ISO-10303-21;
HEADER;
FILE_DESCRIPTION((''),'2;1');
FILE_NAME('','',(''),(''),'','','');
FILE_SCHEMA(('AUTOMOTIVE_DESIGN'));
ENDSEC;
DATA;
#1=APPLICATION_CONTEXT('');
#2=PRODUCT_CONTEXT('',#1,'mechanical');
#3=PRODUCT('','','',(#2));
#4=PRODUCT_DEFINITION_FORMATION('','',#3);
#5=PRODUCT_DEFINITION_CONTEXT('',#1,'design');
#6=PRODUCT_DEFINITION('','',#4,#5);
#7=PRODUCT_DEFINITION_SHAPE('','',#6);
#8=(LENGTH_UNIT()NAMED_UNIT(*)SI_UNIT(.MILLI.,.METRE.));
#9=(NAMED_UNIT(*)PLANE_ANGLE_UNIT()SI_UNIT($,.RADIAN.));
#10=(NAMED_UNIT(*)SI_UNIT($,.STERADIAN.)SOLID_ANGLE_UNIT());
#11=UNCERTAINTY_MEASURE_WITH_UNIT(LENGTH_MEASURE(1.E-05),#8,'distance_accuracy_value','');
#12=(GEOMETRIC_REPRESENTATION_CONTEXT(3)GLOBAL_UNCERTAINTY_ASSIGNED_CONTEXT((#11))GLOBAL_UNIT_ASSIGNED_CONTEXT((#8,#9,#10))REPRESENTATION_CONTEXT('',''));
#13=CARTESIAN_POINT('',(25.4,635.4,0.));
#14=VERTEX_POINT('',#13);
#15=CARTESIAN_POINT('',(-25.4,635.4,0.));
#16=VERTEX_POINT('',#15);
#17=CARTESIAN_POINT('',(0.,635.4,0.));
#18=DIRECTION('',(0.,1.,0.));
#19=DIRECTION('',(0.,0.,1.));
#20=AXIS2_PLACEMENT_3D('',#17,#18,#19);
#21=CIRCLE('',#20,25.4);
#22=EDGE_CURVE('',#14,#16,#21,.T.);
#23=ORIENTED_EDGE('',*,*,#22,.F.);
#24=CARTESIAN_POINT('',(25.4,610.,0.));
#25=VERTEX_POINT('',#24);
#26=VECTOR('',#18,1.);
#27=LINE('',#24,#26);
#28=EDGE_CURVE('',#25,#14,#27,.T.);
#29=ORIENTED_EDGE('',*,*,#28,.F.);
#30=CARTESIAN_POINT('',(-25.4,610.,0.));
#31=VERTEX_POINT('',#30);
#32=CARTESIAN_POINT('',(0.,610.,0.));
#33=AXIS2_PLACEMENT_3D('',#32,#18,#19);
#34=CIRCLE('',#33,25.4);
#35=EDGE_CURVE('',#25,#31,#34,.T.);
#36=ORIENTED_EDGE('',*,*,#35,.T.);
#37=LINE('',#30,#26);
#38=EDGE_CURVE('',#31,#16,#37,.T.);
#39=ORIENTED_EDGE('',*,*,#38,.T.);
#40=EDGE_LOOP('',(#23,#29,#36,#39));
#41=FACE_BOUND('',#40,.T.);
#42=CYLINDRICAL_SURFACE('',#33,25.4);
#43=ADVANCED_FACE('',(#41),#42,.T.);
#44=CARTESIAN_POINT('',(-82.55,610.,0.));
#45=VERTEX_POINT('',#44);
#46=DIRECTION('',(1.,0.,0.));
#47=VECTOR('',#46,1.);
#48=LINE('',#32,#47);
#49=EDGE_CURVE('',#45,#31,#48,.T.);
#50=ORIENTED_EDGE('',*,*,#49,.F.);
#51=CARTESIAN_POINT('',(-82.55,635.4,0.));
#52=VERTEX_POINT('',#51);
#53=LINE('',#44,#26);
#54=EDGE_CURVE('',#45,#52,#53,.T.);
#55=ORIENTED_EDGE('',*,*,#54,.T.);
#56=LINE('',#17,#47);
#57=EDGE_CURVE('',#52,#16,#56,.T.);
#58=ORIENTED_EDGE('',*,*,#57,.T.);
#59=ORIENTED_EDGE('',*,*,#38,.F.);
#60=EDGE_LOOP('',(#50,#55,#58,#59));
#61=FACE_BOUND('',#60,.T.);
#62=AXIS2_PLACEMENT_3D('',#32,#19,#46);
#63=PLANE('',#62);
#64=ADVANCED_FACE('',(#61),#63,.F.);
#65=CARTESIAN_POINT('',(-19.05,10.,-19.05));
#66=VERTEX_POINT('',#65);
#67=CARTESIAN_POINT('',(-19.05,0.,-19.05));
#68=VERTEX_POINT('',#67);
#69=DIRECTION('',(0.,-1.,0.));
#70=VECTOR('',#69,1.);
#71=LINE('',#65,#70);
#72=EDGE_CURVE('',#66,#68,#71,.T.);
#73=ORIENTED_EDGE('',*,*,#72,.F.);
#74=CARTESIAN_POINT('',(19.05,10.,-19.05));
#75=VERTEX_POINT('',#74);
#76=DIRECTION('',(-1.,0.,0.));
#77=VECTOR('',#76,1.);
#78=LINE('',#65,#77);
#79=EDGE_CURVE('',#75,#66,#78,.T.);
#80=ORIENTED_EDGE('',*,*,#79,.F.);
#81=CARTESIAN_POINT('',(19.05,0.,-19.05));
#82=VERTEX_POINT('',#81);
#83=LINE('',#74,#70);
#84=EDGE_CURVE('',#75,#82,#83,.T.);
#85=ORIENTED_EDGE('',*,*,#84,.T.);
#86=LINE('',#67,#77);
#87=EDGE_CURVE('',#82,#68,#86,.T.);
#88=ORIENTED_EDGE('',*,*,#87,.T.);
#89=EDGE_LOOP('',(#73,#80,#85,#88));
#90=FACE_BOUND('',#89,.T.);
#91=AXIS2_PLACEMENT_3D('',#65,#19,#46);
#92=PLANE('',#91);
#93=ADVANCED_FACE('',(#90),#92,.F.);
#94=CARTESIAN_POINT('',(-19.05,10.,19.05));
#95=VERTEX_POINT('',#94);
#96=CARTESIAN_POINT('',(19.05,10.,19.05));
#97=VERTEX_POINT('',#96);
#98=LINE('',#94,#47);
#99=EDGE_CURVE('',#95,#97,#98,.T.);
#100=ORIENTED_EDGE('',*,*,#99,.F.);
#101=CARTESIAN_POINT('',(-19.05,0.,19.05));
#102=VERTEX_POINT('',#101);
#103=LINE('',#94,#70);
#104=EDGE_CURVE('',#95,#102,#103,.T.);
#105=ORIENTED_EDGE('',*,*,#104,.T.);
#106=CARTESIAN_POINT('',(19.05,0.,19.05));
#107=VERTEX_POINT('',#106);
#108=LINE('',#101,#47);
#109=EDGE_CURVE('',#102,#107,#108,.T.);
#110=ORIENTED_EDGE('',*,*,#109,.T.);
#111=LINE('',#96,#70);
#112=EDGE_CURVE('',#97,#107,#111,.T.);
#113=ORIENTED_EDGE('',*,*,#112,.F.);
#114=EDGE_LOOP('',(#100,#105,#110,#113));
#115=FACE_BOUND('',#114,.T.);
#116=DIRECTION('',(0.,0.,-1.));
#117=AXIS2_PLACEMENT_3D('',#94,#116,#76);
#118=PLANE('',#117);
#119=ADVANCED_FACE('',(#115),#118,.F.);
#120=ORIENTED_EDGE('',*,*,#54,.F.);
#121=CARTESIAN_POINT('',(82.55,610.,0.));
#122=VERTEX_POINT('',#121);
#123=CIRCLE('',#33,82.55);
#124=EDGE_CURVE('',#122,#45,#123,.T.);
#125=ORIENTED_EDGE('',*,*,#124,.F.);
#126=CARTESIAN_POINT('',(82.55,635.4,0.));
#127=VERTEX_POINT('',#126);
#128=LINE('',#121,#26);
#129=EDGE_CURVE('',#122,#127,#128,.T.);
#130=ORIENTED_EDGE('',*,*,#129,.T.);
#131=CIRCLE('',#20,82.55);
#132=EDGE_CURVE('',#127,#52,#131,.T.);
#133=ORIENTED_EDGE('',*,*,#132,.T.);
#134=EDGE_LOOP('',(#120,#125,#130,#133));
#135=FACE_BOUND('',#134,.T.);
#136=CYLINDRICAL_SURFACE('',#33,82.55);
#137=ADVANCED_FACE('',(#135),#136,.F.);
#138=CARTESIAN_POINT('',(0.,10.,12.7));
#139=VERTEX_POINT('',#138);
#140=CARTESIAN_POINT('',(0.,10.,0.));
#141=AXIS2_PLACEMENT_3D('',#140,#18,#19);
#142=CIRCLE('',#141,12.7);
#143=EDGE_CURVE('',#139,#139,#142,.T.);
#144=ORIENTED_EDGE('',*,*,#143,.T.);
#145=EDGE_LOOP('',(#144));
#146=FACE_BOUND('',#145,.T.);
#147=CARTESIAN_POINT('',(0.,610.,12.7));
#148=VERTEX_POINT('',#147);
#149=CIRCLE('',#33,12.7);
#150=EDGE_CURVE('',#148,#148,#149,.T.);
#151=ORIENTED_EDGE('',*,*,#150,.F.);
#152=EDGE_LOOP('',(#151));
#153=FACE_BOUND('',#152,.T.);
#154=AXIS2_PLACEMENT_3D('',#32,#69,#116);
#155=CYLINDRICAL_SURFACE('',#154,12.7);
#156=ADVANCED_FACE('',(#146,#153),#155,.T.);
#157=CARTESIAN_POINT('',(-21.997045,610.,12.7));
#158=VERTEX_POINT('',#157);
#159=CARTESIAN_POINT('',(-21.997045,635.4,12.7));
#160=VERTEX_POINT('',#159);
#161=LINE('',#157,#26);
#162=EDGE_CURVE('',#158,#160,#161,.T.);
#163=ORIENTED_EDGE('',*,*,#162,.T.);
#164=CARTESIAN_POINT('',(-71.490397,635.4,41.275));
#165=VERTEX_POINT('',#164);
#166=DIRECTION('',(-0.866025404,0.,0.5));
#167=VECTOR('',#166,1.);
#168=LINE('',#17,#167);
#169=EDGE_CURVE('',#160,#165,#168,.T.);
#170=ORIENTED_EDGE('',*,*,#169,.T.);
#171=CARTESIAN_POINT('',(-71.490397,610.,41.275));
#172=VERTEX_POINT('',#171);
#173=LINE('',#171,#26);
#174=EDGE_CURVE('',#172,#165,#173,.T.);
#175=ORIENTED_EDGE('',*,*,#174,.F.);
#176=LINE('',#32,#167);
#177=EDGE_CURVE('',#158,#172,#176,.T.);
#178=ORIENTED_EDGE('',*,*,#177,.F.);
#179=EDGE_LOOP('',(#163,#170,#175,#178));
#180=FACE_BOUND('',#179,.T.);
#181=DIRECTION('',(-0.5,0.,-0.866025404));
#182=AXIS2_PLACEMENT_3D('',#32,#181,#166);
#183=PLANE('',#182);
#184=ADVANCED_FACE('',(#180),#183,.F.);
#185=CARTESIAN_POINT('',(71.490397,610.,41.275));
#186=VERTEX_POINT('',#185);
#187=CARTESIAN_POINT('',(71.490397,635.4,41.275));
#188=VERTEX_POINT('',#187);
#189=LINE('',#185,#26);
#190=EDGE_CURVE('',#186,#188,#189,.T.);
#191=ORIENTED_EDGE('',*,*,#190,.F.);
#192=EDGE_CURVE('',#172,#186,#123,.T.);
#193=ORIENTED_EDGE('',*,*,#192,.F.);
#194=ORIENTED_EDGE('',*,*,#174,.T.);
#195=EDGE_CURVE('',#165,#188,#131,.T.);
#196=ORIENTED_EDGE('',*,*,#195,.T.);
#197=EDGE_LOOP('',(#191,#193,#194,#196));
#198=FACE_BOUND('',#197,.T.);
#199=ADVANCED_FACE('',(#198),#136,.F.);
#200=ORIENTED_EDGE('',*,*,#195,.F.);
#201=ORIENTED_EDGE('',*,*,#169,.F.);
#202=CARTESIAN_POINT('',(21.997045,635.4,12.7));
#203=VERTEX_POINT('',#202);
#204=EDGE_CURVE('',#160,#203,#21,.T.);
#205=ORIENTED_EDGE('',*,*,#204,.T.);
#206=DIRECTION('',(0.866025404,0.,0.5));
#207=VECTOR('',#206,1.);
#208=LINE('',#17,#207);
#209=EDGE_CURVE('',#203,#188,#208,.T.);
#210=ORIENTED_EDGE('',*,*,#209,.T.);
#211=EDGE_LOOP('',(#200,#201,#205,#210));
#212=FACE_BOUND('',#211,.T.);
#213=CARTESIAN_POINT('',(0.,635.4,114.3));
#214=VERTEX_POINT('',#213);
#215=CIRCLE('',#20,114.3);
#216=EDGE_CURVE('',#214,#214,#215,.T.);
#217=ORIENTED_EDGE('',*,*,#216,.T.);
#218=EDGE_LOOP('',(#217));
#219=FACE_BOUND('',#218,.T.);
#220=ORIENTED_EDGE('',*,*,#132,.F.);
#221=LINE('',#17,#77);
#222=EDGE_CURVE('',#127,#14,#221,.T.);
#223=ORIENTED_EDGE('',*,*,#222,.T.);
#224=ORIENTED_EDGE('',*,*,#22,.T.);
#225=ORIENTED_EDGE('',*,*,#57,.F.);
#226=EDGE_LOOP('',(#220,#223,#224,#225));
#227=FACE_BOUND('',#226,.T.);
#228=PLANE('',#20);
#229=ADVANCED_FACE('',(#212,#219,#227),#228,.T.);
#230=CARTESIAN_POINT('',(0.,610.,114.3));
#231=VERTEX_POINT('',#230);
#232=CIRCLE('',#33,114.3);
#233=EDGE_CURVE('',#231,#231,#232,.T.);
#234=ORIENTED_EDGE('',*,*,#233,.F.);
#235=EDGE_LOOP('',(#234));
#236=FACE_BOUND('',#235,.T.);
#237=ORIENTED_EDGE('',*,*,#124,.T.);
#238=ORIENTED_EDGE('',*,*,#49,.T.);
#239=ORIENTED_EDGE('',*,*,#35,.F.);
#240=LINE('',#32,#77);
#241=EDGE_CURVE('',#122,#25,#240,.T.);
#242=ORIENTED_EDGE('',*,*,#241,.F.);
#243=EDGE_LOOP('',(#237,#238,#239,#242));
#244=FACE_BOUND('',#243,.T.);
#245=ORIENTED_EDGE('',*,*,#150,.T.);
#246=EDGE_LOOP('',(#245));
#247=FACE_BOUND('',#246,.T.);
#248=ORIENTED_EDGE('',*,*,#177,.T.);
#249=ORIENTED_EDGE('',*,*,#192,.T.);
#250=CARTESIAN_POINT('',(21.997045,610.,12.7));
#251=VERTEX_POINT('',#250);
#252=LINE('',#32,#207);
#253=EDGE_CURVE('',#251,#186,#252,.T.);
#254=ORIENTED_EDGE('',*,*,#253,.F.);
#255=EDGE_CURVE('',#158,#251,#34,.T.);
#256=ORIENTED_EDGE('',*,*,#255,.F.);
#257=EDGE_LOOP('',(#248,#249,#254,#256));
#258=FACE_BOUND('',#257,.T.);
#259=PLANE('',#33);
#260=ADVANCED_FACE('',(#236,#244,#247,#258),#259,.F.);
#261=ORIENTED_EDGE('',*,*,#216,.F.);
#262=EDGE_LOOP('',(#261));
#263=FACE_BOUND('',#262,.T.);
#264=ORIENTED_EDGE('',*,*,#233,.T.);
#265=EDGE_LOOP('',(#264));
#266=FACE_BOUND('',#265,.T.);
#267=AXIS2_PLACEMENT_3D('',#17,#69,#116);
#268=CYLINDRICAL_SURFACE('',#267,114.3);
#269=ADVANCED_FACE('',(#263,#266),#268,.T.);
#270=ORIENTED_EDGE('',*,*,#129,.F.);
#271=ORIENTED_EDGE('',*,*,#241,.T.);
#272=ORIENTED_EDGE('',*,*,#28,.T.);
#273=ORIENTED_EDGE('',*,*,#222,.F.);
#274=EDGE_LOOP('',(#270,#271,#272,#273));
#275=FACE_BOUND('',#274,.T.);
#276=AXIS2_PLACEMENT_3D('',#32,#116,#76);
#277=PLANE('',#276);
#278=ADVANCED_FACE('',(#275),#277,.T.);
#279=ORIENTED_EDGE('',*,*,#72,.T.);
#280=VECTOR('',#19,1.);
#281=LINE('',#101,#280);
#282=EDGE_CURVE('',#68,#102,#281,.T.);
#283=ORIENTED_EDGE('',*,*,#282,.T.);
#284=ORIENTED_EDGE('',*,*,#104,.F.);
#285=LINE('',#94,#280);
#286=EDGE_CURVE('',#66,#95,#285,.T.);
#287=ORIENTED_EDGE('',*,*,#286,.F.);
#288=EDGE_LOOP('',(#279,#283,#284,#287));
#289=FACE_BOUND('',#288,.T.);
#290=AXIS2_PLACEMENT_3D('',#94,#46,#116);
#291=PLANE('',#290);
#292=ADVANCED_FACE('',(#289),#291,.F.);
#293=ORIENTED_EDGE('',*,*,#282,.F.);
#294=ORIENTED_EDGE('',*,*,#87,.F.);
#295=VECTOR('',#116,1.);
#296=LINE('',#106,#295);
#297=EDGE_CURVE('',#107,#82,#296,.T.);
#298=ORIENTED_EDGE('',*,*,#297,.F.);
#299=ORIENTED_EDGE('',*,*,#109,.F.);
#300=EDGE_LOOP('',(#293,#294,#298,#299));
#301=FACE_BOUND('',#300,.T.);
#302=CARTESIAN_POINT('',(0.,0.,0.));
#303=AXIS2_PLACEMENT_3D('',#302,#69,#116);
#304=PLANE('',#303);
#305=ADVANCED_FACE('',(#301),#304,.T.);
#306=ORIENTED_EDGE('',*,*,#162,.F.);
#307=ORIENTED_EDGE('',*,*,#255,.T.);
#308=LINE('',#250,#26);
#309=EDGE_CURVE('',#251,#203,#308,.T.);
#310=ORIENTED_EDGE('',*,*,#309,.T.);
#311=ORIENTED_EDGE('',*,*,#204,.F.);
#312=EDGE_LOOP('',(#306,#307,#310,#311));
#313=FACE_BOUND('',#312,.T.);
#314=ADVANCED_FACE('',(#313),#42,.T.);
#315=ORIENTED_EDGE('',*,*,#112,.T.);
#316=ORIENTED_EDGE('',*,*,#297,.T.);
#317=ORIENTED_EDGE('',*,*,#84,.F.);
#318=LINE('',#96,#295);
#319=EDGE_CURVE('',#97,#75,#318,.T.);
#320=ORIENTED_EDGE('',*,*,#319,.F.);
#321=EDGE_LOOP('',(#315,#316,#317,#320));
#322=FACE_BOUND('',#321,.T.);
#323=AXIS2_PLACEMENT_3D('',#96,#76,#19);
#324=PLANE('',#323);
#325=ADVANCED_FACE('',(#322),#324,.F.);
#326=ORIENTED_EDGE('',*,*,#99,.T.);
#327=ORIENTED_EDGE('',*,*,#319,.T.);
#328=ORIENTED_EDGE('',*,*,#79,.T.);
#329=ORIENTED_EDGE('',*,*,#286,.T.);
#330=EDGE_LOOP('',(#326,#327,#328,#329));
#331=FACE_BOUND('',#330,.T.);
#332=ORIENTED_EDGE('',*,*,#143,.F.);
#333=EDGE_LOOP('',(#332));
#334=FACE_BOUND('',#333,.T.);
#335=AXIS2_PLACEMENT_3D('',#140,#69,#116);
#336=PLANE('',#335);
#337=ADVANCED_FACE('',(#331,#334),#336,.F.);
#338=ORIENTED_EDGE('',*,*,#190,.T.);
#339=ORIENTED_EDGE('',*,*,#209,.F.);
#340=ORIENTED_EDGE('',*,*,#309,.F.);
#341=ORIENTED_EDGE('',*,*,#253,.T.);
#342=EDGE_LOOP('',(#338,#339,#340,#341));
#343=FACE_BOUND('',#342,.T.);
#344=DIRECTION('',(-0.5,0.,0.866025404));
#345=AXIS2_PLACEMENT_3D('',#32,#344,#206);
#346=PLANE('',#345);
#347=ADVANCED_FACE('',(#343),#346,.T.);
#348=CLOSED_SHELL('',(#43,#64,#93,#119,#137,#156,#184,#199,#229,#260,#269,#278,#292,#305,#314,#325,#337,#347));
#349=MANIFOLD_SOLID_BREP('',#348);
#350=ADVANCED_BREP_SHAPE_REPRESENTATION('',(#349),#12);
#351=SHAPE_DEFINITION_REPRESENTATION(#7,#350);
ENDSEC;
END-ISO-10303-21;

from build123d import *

# Parameters (mm, degrees)
SKETCH1_W           = 38.1
SKETCH1_H           = 38.1
BOSS_EXTRUDE1_DEPTH = 10
SKETCH2_R           = 12.7
BOSS_EXTRUDE2_DEPTH = 600
SKETCH3_R           = 114.3
BOSS_EXTRUDE3_DEPTH = 25.4
CUT_EXTRUDE2_DEPTH  = 25.4


with BuildPart() as part:
    # Sketch1 → Boss-Extrude1 (new body)
    with BuildSketch(Plane(origin=(0, 0, 0), x_dir=(1, 0, 0), z_dir=(0, 1, 0))):
        Rectangle(SKETCH1_W, SKETCH1_H)
    extrude(amount=BOSS_EXTRUDE1_DEPTH)

    # Sketch2 → Boss-Extrude2 (add)
    with BuildSketch(Plane(origin=(0, 10, 0), x_dir=(1, 0, 0), z_dir=(0, 1, 0))):
        Circle(SKETCH2_R)
    extrude(amount=BOSS_EXTRUDE2_DEPTH)

    # Sketch3 → Boss-Extrude3 (add)
    with BuildSketch(Plane(origin=(0, 610, 0), x_dir=(1, 0, 0), z_dir=(0, 1, 0))):
        Circle(SKETCH3_R)
    extrude(amount=BOSS_EXTRUDE3_DEPTH)

    # Sketch5 → Cut-Extrude2 (cut)
    with BuildSketch(Plane(origin=(0, 635.4, 0), x_dir=(1, 0, 0), z_dir=(0, 1, 0))):
        with BuildLine():
            Line((25.4, 0), (82.55, 0))
            ThreePointArc((82.55, 0), (0, 82.55), (-82.55, 0))
            Line((-82.55, 0), (-25.4, 0))
            ThreePointArc((-25.4, 0), (0, 25.4), (25.4, 0))
        make_face()
        with BuildLine():
            Line((71.490397082, -41.275), (21.997045256, -12.7))
            ThreePointArc((21.997045256, -12.7), (0, -25.4), (-21.997045256, -12.7))
            Line((-21.997045256, -12.7), (-71.490397082, -41.275))
            ThreePointArc((-71.490397082, -41.275), (0, -82.55), (71.490397082, -41.275))
        make_face()
    extrude(amount=-CUT_EXTRUDE2_DEPTH, mode=Mode.SUBTRACT)


solid = part.part
